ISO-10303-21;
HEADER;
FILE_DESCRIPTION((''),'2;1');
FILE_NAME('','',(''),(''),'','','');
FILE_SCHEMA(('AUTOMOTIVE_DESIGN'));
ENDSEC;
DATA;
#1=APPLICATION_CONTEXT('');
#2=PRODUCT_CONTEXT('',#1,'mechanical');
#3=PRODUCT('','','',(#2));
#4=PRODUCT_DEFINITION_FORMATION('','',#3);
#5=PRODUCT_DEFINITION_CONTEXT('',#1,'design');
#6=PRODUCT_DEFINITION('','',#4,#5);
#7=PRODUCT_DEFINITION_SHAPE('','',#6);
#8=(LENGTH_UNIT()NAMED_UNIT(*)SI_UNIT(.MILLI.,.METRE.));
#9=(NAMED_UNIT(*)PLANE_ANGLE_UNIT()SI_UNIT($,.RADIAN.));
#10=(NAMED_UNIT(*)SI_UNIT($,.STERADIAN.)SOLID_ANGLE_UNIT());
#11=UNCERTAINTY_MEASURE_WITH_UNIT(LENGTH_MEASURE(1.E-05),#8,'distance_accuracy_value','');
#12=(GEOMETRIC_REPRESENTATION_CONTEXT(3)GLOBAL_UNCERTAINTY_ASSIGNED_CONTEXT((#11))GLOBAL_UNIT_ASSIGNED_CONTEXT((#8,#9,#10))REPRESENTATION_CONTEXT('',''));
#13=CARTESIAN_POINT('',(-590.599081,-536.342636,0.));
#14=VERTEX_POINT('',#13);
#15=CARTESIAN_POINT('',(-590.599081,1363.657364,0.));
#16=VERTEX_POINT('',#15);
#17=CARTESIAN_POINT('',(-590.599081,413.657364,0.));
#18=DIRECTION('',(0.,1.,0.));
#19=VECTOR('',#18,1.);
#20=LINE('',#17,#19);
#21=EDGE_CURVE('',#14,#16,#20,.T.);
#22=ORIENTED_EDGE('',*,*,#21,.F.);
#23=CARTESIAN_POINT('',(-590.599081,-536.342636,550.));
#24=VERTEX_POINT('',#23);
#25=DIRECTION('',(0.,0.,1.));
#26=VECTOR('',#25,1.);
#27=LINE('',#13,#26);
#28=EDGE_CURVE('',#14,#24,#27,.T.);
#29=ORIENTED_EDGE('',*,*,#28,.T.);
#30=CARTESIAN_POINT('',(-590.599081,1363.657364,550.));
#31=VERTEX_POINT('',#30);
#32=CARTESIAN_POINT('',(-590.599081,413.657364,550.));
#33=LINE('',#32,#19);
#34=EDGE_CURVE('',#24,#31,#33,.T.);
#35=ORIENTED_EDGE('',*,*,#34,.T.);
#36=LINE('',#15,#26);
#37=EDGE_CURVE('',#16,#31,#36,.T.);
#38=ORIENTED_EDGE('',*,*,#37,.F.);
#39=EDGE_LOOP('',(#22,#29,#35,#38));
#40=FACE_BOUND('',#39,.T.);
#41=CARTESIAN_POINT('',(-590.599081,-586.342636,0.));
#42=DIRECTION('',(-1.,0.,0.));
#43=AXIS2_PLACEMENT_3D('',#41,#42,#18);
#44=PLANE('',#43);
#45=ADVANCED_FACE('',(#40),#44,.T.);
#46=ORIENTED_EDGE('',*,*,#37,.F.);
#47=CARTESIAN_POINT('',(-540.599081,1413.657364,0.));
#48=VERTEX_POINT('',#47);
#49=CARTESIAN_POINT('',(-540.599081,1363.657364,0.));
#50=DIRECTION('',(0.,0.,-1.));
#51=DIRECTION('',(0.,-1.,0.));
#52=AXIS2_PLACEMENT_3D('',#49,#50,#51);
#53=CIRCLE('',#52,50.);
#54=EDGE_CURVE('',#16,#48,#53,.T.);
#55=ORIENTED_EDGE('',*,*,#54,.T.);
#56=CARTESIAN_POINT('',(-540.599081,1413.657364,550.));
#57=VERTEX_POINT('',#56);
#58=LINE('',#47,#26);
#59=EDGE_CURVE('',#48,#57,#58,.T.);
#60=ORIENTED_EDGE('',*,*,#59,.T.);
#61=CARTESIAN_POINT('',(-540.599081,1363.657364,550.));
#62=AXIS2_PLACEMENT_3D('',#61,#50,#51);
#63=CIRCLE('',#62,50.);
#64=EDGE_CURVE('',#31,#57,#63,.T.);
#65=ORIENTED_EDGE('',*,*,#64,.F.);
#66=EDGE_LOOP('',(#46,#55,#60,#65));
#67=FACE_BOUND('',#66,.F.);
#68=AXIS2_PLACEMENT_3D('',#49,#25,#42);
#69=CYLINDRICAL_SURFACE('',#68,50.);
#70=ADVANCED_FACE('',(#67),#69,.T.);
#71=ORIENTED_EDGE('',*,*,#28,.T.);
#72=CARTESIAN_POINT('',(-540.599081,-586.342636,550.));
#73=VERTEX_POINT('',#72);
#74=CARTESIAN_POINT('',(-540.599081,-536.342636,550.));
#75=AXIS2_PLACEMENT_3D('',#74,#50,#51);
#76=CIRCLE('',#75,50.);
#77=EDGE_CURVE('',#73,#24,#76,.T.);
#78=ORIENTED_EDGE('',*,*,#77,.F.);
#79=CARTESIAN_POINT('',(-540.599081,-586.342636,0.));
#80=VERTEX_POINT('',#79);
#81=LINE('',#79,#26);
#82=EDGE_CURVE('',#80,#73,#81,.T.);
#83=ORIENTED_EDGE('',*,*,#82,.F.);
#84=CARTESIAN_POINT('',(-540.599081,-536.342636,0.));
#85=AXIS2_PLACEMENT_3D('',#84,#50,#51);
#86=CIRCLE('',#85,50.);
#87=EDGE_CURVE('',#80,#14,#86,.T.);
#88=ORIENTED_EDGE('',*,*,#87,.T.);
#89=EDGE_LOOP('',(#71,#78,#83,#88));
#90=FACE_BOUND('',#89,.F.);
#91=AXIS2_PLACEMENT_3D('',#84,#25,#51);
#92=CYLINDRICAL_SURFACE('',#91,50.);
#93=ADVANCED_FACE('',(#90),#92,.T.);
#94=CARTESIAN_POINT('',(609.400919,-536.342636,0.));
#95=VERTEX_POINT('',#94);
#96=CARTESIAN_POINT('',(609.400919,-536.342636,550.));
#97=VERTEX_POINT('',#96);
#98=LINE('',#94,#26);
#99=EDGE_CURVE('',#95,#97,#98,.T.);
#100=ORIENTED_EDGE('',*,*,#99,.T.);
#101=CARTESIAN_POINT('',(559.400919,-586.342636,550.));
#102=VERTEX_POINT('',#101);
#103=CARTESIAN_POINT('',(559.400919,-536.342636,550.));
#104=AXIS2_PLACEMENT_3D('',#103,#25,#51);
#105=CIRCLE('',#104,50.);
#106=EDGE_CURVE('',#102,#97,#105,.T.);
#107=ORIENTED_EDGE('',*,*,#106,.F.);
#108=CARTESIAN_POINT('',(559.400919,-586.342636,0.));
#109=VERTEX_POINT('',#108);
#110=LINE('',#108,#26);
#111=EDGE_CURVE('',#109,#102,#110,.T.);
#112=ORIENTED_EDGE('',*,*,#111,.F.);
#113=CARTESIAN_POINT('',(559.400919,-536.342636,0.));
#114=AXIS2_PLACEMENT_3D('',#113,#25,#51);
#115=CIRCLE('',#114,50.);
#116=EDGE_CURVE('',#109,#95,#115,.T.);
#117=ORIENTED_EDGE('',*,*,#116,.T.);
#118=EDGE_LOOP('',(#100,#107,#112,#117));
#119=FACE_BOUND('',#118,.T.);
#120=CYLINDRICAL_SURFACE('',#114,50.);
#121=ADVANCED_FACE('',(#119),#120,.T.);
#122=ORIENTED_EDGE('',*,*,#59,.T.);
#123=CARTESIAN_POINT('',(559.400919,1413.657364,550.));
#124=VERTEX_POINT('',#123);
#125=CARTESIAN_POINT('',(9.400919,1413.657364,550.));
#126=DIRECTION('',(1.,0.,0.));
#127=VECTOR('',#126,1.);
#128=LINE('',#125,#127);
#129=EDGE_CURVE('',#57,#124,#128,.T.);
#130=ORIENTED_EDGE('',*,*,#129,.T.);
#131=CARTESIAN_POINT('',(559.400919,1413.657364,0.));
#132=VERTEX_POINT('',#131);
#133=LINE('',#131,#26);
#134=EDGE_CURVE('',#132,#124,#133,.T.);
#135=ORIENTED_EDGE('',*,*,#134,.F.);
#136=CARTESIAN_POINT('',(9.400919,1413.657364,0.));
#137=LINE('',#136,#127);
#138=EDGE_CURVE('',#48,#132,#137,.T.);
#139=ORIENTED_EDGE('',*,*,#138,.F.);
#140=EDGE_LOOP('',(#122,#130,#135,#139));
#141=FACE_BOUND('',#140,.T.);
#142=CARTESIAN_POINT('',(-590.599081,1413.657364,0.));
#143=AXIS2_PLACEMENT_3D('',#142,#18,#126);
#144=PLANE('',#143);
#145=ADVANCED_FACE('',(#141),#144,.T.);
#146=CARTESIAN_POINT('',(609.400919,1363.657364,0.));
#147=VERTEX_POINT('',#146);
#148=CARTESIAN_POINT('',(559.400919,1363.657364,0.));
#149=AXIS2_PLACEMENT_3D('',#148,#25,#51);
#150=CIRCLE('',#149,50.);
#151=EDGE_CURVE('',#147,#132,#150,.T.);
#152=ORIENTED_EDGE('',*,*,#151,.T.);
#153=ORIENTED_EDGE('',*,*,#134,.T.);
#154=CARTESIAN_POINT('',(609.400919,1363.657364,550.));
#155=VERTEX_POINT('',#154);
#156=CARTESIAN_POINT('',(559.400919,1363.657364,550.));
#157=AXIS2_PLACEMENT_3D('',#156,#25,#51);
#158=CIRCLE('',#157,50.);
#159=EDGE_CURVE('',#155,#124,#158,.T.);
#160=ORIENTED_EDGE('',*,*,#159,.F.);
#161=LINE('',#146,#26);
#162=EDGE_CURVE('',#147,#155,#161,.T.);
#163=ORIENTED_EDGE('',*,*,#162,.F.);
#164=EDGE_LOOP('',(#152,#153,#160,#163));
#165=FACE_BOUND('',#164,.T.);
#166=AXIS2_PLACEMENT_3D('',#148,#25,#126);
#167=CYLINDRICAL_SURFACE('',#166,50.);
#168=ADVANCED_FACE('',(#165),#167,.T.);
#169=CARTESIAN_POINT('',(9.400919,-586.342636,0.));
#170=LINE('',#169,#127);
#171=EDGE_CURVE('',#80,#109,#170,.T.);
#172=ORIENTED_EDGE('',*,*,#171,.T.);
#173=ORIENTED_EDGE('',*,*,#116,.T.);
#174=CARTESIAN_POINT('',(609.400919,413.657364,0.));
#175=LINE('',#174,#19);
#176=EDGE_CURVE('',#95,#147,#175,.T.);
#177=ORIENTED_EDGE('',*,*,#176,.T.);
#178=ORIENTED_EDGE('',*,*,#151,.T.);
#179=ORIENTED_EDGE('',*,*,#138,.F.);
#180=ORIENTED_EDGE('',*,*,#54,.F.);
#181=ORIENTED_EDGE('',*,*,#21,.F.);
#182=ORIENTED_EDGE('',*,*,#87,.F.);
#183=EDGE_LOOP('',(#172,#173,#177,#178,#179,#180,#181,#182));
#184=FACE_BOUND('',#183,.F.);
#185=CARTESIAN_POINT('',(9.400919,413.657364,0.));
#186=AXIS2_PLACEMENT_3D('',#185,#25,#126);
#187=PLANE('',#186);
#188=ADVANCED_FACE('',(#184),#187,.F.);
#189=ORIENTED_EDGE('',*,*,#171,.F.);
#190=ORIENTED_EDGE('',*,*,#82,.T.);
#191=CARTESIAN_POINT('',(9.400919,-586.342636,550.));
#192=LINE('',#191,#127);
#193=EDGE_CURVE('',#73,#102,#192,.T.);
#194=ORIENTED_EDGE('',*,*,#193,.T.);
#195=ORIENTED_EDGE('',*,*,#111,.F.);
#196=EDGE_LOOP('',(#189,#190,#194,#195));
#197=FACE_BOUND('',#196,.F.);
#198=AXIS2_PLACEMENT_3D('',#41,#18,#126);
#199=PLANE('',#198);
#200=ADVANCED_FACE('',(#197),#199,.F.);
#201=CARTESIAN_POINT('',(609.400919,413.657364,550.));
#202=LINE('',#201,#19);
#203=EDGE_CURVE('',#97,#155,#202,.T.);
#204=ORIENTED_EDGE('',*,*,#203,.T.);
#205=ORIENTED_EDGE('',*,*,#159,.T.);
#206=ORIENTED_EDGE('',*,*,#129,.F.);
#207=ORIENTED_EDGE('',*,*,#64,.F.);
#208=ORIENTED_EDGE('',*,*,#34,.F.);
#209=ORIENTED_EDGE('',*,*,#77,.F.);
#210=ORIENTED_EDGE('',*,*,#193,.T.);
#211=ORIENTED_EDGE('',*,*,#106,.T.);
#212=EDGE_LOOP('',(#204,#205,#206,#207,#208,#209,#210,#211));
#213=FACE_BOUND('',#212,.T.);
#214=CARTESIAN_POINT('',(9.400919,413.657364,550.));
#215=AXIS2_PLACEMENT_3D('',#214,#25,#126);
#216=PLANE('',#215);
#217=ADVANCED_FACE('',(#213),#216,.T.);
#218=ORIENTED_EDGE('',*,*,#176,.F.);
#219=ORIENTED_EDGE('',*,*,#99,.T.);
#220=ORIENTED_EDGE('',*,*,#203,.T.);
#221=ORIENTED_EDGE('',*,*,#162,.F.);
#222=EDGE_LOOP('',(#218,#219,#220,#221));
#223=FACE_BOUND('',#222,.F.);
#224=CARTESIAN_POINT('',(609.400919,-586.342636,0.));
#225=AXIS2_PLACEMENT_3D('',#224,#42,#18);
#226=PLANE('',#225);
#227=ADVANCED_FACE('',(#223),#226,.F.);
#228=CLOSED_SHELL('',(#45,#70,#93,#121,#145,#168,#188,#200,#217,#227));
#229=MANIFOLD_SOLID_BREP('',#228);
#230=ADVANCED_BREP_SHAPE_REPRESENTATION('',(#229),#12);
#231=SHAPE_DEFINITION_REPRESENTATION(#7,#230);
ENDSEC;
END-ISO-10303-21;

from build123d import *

# Parameters (mm, degrees)
F0_W     = 1200
F0_H     = 2000
F1_DEPTH = 550
F2_R     = 50
F3_R     = 50
F4_R     = 50


with BuildPart() as f1:
    # F0 (on Top) → F1 (new body)
    with BuildSketch(Plane.XY):
        with Locations((9.400919, 413.657364)):
            Rectangle(F0_W, F0_H)
    extrude(amount=F1_DEPTH)

    # F2
    f2_edges = [f1.edges().sort_by_distance(p)[0] for p in [
        (609.400919, -586.342636, 275),
    ]]
    fillet(f2_edges, radius=F2_R)

    # F3
    f3_edges = [f1.edges().sort_by_distance(p)[0] for p in [
        (-590.599081, -586.342636, 275),
    ]]
    fillet(f3_edges, radius=F3_R)

    # F4
    f4_edges = [f1.edges().sort_by_distance(p)[0] for p in [
        (609.400919, 1413.657364, 275),
        (-590.599081, 1413.657364, 275),
    ]]
    fillet(f4_edges, radius=F4_R)


solid = f1.part
